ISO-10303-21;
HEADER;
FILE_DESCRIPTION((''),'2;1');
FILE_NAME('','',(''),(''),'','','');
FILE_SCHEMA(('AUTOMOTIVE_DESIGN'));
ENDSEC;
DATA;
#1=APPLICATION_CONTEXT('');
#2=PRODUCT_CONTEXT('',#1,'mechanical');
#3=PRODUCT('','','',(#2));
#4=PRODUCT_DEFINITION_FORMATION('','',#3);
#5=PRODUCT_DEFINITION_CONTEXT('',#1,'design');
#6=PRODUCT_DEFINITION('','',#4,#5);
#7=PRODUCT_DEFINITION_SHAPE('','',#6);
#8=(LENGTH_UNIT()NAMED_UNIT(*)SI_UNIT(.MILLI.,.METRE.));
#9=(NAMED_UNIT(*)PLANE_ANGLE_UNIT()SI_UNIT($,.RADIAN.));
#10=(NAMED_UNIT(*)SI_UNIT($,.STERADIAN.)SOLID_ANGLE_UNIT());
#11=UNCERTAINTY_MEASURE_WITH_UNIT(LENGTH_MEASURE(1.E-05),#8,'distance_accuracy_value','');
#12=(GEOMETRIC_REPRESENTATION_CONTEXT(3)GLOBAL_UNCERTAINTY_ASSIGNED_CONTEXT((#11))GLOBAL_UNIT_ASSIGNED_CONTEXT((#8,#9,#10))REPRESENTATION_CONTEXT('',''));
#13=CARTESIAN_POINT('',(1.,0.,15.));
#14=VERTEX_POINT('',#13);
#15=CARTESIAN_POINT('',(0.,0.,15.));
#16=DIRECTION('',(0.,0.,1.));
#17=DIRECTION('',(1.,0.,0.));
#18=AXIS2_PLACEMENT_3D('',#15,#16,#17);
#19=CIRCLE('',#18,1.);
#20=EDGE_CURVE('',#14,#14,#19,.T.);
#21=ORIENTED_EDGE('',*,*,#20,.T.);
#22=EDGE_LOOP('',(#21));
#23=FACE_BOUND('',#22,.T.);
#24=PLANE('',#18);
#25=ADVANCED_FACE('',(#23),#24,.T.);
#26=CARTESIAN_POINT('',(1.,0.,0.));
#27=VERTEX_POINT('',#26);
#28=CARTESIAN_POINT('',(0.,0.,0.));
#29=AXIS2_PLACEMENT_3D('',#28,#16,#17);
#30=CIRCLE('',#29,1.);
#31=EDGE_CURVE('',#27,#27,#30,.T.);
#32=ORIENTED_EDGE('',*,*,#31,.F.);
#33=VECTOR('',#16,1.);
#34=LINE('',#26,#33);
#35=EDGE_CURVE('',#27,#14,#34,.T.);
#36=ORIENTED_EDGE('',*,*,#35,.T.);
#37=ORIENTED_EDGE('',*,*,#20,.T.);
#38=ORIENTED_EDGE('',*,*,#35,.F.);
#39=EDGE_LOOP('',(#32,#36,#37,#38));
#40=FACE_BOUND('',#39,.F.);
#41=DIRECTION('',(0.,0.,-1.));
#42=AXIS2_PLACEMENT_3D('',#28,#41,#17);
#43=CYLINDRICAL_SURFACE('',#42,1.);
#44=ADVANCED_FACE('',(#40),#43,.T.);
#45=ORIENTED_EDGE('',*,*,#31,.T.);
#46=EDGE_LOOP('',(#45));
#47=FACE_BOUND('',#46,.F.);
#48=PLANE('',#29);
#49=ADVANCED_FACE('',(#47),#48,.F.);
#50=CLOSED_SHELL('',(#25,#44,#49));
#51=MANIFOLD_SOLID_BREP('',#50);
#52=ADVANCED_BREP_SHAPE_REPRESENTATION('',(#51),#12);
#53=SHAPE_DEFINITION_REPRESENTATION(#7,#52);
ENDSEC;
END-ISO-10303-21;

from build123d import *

# Parameters (mm, degrees)
SKETCH1_R           = 1
BOSS_EXTRUDE1_DEPTH = 15


with BuildPart() as part:
    # Sketch1 → Boss-Extrude1 (new body)
    with BuildSketch(Plane.XY):
        Circle(SKETCH1_R)
    extrude(amount=BOSS_EXTRUDE1_DEPTH)


solid = part.part
